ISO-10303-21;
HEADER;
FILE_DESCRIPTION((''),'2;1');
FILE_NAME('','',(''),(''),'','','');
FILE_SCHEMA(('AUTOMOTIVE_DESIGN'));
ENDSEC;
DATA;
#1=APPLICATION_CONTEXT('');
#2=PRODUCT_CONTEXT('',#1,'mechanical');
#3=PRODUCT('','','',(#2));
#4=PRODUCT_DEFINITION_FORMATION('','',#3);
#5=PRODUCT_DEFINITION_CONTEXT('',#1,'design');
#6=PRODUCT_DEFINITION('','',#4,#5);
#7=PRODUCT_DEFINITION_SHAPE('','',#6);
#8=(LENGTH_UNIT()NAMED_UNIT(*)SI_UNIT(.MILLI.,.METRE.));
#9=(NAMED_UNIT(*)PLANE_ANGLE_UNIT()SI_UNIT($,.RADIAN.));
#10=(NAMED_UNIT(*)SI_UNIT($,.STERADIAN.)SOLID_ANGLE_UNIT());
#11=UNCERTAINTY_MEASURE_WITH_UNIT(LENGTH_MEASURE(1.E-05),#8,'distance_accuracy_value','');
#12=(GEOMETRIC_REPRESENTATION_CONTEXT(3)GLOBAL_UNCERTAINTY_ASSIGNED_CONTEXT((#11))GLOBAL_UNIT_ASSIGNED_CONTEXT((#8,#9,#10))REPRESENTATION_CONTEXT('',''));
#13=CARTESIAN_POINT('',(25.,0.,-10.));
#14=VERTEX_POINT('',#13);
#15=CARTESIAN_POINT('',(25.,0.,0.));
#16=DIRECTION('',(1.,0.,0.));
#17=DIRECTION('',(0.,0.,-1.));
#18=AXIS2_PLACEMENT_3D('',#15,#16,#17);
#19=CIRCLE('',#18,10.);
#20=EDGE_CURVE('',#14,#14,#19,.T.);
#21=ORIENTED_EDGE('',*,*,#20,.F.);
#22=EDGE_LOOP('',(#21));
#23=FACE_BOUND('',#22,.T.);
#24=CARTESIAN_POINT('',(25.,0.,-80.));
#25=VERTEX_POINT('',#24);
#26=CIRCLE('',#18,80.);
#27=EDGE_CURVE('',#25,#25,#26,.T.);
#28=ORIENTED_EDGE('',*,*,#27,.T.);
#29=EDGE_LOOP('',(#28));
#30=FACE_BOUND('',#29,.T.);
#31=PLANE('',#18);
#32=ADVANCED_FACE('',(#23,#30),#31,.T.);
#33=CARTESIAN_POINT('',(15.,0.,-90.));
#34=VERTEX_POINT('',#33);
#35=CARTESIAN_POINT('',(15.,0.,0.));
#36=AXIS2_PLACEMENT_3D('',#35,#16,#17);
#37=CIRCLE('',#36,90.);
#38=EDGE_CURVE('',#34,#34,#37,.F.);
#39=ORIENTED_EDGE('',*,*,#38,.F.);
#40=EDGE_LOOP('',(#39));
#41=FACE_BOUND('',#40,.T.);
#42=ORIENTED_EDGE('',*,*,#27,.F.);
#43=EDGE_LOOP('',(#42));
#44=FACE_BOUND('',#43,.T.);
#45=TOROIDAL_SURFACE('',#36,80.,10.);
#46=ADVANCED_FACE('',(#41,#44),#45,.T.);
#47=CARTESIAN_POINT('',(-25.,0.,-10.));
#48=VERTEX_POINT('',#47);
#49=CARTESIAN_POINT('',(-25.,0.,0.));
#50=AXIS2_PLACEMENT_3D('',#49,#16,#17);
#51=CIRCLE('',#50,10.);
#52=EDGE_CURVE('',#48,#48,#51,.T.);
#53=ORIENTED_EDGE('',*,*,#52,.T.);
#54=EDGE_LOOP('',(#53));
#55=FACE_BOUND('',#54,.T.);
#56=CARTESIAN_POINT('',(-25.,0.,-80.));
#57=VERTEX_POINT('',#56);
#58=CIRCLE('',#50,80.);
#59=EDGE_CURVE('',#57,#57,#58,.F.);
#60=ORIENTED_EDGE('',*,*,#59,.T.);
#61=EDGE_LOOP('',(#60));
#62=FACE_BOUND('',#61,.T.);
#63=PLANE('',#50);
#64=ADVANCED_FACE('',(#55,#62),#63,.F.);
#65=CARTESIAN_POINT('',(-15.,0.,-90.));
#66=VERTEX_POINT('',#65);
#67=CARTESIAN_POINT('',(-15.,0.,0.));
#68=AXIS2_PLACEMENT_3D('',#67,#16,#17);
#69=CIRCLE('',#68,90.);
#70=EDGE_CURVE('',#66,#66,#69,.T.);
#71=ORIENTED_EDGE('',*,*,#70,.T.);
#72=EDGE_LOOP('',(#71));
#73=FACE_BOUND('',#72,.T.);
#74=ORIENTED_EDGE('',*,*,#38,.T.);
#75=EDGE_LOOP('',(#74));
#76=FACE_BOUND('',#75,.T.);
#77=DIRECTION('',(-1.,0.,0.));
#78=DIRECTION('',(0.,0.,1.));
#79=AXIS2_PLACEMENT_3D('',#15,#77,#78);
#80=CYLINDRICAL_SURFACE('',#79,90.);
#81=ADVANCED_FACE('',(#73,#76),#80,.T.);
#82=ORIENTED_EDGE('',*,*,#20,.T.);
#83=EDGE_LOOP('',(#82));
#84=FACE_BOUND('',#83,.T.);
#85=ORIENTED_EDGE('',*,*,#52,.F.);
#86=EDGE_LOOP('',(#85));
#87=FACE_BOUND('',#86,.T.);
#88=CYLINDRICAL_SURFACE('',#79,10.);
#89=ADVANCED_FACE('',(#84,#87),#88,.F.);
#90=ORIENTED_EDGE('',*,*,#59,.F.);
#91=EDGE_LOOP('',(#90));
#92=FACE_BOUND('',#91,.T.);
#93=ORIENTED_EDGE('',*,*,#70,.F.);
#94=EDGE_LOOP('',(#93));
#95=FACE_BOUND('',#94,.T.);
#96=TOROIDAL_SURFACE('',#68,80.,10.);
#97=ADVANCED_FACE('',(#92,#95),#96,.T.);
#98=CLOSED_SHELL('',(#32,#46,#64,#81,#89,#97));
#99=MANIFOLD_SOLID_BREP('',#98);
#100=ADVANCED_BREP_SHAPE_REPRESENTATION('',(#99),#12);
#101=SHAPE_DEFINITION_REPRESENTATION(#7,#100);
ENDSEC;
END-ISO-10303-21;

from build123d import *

# Parameters (mm, degrees)
CROQUIS1_R              = 90
CROQUIS1_R_2            = 10
SALIENTE_EXTRUIR1_DEPTH = 25
REDONDEO1_R             = 10


with BuildPart() as part:
    # Croquis1 → Saliente-Extruir1 (new, symmetric)
    with BuildSketch(Plane(origin=(0, 0, 0), x_dir=(0, 0, -1), z_dir=(1, 0, 0))):
        Circle(CROQUIS1_R)
        Circle(CROQUIS1_R_2, mode=Mode.SUBTRACT)
    extrude(amount=SALIENTE_EXTRUIR1_DEPTH, both=True)

    # Redondeo1
    redondeo1_edges = [part.edges().sort_by_distance(p)[0] for p in [
        (-25, 0, 90),
        (25, 0, 90),
    ]]
    fillet(redondeo1_edges, radius=REDONDEO1_R)


solid = part.part
